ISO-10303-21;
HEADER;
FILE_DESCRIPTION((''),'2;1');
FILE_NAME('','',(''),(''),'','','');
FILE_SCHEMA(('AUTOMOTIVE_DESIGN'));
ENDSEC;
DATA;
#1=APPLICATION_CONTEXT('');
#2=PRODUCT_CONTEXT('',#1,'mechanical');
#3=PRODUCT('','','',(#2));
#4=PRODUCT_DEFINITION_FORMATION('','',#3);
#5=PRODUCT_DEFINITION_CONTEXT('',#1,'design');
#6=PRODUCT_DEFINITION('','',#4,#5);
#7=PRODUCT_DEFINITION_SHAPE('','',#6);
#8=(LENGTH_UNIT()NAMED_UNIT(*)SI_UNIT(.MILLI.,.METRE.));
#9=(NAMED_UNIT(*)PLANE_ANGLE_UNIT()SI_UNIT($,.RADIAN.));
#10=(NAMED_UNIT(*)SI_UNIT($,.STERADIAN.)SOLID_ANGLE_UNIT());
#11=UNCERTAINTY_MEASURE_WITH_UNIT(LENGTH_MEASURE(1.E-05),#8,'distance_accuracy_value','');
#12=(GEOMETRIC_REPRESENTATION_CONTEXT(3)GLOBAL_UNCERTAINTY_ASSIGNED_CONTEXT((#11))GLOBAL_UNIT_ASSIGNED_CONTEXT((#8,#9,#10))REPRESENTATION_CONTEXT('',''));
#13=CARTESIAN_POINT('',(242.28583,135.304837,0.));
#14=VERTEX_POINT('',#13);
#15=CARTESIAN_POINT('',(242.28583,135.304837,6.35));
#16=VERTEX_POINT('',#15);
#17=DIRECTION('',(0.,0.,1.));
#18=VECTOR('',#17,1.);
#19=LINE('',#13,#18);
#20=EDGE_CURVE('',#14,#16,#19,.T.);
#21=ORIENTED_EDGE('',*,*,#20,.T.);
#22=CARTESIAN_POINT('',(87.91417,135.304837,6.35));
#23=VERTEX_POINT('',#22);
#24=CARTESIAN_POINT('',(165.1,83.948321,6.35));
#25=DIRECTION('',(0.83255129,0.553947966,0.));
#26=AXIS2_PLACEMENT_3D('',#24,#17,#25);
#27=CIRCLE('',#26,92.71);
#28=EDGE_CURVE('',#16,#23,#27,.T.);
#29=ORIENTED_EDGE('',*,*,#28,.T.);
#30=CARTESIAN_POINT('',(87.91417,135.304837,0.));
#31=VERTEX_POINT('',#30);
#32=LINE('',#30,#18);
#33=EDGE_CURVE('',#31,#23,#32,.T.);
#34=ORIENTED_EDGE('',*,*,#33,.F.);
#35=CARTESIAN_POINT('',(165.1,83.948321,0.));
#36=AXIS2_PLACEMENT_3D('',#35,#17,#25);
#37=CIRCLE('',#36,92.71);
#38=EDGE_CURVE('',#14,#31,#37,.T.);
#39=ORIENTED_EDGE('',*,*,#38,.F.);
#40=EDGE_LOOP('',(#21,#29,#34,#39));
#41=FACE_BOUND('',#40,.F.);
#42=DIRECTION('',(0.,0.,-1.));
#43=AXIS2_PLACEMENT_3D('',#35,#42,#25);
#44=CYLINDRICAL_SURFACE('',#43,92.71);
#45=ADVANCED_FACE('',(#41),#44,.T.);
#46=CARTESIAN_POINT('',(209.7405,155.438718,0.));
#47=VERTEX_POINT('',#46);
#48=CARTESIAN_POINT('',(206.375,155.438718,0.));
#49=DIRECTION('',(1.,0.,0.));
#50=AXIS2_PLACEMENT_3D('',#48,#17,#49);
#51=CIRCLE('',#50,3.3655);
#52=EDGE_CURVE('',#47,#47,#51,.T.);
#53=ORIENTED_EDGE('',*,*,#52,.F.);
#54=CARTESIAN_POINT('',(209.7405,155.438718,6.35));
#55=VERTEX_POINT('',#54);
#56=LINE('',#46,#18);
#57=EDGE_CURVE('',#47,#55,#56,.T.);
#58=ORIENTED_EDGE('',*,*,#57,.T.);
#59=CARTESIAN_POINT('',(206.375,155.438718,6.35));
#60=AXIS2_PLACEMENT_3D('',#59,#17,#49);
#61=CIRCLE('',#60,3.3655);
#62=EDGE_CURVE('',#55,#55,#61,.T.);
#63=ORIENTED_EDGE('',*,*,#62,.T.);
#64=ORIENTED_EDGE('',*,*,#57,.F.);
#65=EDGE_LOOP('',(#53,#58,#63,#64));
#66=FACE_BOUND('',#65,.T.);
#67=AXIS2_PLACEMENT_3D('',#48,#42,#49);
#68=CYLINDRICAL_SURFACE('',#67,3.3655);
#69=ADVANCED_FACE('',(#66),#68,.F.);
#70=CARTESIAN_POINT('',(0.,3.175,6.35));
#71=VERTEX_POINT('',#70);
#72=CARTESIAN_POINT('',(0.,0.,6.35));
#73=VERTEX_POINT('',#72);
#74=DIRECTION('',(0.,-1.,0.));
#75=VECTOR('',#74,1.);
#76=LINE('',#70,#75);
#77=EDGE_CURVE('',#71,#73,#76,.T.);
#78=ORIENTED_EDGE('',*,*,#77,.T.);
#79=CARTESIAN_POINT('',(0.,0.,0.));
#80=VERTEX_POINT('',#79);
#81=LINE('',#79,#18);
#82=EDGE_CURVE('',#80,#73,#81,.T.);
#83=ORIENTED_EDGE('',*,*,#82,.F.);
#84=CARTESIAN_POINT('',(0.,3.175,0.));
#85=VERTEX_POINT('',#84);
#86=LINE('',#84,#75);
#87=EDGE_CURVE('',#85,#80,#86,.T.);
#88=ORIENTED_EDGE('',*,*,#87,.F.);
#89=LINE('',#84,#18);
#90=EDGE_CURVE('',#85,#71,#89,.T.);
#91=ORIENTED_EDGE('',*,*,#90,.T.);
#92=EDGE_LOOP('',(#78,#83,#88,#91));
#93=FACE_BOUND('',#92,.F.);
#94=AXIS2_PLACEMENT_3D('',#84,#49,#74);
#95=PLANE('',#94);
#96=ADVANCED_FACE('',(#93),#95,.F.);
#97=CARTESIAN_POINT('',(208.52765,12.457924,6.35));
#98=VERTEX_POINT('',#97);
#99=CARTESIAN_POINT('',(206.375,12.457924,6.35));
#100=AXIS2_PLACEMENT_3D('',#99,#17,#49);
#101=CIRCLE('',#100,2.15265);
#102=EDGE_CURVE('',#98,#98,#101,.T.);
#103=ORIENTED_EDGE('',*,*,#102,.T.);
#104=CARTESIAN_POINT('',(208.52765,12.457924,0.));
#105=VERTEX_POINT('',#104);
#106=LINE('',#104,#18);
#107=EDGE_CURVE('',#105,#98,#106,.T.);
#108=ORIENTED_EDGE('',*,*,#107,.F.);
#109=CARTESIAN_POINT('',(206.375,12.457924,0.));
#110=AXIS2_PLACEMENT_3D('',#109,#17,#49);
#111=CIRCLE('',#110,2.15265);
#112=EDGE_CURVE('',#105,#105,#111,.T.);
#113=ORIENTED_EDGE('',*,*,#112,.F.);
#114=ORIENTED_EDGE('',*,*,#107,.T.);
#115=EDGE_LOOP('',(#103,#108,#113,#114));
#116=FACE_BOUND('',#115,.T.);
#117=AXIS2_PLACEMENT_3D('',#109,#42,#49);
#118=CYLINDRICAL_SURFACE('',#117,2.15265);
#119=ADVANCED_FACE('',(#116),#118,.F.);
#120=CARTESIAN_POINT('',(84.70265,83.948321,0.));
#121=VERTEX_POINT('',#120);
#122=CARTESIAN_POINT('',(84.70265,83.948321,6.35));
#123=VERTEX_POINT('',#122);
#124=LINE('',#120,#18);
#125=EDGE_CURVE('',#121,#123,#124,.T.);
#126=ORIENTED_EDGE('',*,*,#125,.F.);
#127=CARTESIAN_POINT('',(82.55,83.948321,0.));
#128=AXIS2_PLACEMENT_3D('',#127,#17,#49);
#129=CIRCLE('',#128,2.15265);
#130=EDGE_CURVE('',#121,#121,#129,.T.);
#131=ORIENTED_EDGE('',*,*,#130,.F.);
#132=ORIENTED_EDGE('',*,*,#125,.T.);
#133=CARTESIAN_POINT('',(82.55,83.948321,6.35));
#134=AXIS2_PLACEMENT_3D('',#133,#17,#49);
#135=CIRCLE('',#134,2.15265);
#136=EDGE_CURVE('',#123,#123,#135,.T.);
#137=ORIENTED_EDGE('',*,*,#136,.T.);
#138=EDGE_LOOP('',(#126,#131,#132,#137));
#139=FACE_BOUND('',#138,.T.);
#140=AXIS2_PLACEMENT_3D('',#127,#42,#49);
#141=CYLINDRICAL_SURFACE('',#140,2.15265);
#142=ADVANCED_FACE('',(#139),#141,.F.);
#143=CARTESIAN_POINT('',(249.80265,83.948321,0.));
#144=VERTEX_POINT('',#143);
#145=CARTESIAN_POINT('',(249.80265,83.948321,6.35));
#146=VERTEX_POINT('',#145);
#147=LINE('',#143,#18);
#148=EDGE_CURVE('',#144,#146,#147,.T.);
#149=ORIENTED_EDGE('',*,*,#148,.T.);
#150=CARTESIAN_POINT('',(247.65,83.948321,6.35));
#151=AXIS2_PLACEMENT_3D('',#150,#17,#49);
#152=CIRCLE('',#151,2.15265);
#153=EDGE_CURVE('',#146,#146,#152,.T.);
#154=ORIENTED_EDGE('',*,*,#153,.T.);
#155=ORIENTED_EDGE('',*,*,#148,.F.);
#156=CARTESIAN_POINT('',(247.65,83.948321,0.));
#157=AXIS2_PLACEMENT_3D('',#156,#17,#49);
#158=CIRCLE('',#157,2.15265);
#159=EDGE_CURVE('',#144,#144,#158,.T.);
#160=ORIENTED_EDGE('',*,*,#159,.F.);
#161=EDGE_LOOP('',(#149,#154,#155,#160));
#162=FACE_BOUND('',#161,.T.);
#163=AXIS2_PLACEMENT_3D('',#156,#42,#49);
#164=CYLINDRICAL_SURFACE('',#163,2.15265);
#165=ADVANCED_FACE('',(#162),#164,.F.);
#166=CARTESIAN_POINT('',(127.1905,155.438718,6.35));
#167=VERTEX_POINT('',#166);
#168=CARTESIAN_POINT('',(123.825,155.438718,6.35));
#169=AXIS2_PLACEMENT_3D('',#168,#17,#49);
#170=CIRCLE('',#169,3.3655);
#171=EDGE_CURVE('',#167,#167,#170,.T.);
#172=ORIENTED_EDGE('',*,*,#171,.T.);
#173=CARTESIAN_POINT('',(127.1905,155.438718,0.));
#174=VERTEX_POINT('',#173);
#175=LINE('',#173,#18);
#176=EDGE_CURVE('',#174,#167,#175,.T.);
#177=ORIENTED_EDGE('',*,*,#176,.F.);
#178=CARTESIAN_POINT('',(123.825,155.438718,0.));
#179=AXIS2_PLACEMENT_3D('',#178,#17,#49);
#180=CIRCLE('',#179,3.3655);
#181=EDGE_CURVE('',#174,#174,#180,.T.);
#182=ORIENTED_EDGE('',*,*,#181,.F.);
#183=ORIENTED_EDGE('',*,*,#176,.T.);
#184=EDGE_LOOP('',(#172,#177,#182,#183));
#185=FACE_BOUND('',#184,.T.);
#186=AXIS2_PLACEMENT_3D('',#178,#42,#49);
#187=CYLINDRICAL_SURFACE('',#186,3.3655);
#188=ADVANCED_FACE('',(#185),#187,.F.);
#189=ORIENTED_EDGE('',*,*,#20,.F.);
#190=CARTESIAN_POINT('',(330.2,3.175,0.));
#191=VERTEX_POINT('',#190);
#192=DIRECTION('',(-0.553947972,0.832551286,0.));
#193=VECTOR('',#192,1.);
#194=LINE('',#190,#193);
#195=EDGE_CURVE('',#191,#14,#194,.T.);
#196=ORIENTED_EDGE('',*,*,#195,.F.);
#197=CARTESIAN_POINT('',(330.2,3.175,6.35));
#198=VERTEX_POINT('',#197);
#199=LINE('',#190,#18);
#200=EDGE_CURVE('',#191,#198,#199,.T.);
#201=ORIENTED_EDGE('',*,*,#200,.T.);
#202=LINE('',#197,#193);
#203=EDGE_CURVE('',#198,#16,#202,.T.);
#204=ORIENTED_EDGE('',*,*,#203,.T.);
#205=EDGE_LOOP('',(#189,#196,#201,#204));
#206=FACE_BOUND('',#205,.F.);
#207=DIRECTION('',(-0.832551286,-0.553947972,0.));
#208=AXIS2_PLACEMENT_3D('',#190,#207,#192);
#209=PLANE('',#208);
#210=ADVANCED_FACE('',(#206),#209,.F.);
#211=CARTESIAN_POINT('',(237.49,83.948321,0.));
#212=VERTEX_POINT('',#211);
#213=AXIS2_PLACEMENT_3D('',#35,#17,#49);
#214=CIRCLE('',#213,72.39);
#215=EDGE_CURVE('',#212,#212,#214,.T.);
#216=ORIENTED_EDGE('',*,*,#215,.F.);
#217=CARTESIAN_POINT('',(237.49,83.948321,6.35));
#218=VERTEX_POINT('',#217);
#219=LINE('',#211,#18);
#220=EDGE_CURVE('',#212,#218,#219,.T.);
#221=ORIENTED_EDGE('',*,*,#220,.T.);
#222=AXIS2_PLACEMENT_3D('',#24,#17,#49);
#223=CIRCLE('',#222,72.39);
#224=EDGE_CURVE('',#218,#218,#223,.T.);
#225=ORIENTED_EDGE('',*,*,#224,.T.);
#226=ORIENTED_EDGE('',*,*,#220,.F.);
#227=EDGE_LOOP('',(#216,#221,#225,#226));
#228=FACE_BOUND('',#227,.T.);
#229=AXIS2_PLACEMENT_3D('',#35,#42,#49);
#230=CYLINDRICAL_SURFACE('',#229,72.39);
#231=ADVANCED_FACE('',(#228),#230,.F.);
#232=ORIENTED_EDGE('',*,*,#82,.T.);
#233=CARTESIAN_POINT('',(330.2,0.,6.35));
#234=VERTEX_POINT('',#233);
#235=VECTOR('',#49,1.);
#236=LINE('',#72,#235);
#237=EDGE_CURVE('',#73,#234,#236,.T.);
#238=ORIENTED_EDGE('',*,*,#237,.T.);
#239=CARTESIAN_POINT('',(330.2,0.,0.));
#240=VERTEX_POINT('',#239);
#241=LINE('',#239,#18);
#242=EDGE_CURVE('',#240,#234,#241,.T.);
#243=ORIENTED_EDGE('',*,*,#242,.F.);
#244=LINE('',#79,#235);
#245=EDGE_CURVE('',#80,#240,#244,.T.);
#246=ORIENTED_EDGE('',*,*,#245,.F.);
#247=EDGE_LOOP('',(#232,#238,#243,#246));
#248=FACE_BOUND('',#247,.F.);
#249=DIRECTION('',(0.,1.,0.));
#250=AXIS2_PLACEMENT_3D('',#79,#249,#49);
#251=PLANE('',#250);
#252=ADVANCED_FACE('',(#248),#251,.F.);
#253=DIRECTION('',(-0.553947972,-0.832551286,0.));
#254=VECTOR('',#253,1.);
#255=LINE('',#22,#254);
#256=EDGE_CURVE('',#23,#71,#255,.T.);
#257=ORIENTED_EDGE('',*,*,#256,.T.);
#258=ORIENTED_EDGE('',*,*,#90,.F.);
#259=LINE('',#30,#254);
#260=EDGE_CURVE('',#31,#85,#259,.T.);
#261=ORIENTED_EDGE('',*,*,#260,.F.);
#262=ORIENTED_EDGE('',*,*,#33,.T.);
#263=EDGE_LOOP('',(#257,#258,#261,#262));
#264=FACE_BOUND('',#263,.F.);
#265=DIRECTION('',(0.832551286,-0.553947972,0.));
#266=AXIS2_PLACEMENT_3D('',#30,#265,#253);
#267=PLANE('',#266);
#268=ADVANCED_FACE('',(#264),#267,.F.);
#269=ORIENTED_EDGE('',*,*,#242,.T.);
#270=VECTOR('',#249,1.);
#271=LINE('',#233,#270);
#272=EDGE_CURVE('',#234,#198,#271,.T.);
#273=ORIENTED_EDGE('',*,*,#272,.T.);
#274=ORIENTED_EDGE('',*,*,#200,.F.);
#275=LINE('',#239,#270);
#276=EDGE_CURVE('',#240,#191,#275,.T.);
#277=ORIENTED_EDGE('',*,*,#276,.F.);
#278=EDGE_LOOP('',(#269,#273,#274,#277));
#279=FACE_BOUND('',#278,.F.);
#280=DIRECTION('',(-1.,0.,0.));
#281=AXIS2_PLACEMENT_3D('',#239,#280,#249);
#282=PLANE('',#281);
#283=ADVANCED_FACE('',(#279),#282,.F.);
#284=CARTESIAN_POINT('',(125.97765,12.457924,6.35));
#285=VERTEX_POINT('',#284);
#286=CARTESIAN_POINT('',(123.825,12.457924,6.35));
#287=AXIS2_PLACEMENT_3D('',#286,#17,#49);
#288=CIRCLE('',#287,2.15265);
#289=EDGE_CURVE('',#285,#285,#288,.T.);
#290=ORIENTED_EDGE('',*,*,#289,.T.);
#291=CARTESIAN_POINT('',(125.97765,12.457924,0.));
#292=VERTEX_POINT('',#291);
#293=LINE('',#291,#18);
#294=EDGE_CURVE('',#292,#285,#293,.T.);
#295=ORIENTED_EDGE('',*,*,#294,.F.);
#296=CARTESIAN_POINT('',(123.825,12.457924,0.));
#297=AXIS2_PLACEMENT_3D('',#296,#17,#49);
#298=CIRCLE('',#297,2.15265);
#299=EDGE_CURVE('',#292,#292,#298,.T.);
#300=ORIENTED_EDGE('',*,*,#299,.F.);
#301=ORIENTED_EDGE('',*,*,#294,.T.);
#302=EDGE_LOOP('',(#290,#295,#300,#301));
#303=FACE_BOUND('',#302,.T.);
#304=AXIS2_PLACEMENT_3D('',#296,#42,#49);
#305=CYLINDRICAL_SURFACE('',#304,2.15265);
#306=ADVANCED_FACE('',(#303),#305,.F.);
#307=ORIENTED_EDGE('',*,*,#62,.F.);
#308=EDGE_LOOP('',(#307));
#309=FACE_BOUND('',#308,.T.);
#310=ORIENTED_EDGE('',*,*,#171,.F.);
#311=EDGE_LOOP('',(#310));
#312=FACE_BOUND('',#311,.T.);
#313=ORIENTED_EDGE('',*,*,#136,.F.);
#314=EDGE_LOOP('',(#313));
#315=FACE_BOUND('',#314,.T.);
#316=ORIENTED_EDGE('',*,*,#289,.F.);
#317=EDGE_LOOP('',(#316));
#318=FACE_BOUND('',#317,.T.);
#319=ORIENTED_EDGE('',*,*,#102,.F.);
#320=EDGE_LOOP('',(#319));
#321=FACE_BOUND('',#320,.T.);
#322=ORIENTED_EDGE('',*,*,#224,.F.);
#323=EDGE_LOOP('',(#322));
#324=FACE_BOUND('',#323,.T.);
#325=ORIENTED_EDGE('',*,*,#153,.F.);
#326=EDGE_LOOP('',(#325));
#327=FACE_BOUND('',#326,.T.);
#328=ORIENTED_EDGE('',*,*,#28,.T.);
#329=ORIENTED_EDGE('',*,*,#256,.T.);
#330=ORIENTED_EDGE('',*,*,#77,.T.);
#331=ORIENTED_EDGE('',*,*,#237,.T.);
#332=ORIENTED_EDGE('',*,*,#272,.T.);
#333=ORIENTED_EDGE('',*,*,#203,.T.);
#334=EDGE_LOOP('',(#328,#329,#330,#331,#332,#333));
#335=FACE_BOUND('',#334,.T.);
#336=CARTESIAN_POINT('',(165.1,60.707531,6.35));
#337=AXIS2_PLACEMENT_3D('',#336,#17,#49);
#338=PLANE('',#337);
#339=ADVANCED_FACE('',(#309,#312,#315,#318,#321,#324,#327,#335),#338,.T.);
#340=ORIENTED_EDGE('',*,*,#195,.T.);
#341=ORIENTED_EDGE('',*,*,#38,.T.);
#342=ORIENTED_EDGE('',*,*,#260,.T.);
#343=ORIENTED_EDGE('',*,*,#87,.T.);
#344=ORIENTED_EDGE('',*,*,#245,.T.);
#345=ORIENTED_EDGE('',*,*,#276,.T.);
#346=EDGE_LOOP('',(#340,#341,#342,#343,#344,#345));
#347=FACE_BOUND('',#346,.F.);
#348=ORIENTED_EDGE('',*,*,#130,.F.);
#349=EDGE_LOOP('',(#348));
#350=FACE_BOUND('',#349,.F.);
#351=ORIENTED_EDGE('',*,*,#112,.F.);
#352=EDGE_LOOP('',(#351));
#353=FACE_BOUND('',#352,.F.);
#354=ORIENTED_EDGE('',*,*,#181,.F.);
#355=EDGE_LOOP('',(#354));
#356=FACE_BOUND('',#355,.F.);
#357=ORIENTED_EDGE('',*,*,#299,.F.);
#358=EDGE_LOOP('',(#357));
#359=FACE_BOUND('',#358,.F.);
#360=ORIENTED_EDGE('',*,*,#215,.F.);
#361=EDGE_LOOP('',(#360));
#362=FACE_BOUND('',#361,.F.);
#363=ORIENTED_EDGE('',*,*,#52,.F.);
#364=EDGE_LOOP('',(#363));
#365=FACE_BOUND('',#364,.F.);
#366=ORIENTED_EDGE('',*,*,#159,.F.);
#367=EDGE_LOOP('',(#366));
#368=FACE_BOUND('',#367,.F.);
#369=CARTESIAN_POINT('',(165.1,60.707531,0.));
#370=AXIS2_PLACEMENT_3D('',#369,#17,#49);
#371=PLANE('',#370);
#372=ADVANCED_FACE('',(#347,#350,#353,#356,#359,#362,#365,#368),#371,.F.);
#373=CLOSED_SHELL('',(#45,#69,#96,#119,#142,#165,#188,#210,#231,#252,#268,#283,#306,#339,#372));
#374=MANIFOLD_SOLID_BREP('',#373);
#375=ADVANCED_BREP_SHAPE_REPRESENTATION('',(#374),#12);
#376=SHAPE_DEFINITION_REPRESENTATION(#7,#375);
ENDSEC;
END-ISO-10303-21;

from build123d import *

# Parameters (mm, degrees)
F0_R     = 2.15265
F0_R_2   = 72.39
F0_R_3   = 3.3655
F1_DEPTH = 6.35


with BuildPart() as f1:
    # F0 (on Top) → F1 (new body)
    with BuildSketch(Plane.XY):
        with BuildLine():
            Line((0, 3.175), (0, 0))
            Line((0, 0), (330.2, 0))
            Line((330.2, 0), (330.2, 3.175))
            Line((330.2, 3.175), (242.28583, 135.304837))
            ThreePointArc((242.28583, 135.304837), (165.1, 176.658321), (87.91417, 135.304837))
            Line((87.91417, 135.304837), (0, 3.175))
        make_face()
        with Locations((123.825, 12.457924)):
            Circle(F0_R, mode=Mode.SUBTRACT)
        with Locations((82.55, 83.948321)):
            Circle(F0_R, mode=Mode.SUBTRACT)
        with Locations((206.375, 12.457924)):
            Circle(F0_R, mode=Mode.SUBTRACT)
        with Locations((165.1, 83.948321)):
            Circle(F0_R_2, mode=Mode.SUBTRACT)
        with Locations((247.65, 83.948321)):
            Circle(F0_R, mode=Mode.SUBTRACT)
        with Locations((123.825, 155.438718)):
            Circle(F0_R_3, mode=Mode.SUBTRACT)
        with Locations((206.375, 155.438718)):
            Circle(F0_R_3, mode=Mode.SUBTRACT)
    extrude(amount=F1_DEPTH)


solid = f1.part
